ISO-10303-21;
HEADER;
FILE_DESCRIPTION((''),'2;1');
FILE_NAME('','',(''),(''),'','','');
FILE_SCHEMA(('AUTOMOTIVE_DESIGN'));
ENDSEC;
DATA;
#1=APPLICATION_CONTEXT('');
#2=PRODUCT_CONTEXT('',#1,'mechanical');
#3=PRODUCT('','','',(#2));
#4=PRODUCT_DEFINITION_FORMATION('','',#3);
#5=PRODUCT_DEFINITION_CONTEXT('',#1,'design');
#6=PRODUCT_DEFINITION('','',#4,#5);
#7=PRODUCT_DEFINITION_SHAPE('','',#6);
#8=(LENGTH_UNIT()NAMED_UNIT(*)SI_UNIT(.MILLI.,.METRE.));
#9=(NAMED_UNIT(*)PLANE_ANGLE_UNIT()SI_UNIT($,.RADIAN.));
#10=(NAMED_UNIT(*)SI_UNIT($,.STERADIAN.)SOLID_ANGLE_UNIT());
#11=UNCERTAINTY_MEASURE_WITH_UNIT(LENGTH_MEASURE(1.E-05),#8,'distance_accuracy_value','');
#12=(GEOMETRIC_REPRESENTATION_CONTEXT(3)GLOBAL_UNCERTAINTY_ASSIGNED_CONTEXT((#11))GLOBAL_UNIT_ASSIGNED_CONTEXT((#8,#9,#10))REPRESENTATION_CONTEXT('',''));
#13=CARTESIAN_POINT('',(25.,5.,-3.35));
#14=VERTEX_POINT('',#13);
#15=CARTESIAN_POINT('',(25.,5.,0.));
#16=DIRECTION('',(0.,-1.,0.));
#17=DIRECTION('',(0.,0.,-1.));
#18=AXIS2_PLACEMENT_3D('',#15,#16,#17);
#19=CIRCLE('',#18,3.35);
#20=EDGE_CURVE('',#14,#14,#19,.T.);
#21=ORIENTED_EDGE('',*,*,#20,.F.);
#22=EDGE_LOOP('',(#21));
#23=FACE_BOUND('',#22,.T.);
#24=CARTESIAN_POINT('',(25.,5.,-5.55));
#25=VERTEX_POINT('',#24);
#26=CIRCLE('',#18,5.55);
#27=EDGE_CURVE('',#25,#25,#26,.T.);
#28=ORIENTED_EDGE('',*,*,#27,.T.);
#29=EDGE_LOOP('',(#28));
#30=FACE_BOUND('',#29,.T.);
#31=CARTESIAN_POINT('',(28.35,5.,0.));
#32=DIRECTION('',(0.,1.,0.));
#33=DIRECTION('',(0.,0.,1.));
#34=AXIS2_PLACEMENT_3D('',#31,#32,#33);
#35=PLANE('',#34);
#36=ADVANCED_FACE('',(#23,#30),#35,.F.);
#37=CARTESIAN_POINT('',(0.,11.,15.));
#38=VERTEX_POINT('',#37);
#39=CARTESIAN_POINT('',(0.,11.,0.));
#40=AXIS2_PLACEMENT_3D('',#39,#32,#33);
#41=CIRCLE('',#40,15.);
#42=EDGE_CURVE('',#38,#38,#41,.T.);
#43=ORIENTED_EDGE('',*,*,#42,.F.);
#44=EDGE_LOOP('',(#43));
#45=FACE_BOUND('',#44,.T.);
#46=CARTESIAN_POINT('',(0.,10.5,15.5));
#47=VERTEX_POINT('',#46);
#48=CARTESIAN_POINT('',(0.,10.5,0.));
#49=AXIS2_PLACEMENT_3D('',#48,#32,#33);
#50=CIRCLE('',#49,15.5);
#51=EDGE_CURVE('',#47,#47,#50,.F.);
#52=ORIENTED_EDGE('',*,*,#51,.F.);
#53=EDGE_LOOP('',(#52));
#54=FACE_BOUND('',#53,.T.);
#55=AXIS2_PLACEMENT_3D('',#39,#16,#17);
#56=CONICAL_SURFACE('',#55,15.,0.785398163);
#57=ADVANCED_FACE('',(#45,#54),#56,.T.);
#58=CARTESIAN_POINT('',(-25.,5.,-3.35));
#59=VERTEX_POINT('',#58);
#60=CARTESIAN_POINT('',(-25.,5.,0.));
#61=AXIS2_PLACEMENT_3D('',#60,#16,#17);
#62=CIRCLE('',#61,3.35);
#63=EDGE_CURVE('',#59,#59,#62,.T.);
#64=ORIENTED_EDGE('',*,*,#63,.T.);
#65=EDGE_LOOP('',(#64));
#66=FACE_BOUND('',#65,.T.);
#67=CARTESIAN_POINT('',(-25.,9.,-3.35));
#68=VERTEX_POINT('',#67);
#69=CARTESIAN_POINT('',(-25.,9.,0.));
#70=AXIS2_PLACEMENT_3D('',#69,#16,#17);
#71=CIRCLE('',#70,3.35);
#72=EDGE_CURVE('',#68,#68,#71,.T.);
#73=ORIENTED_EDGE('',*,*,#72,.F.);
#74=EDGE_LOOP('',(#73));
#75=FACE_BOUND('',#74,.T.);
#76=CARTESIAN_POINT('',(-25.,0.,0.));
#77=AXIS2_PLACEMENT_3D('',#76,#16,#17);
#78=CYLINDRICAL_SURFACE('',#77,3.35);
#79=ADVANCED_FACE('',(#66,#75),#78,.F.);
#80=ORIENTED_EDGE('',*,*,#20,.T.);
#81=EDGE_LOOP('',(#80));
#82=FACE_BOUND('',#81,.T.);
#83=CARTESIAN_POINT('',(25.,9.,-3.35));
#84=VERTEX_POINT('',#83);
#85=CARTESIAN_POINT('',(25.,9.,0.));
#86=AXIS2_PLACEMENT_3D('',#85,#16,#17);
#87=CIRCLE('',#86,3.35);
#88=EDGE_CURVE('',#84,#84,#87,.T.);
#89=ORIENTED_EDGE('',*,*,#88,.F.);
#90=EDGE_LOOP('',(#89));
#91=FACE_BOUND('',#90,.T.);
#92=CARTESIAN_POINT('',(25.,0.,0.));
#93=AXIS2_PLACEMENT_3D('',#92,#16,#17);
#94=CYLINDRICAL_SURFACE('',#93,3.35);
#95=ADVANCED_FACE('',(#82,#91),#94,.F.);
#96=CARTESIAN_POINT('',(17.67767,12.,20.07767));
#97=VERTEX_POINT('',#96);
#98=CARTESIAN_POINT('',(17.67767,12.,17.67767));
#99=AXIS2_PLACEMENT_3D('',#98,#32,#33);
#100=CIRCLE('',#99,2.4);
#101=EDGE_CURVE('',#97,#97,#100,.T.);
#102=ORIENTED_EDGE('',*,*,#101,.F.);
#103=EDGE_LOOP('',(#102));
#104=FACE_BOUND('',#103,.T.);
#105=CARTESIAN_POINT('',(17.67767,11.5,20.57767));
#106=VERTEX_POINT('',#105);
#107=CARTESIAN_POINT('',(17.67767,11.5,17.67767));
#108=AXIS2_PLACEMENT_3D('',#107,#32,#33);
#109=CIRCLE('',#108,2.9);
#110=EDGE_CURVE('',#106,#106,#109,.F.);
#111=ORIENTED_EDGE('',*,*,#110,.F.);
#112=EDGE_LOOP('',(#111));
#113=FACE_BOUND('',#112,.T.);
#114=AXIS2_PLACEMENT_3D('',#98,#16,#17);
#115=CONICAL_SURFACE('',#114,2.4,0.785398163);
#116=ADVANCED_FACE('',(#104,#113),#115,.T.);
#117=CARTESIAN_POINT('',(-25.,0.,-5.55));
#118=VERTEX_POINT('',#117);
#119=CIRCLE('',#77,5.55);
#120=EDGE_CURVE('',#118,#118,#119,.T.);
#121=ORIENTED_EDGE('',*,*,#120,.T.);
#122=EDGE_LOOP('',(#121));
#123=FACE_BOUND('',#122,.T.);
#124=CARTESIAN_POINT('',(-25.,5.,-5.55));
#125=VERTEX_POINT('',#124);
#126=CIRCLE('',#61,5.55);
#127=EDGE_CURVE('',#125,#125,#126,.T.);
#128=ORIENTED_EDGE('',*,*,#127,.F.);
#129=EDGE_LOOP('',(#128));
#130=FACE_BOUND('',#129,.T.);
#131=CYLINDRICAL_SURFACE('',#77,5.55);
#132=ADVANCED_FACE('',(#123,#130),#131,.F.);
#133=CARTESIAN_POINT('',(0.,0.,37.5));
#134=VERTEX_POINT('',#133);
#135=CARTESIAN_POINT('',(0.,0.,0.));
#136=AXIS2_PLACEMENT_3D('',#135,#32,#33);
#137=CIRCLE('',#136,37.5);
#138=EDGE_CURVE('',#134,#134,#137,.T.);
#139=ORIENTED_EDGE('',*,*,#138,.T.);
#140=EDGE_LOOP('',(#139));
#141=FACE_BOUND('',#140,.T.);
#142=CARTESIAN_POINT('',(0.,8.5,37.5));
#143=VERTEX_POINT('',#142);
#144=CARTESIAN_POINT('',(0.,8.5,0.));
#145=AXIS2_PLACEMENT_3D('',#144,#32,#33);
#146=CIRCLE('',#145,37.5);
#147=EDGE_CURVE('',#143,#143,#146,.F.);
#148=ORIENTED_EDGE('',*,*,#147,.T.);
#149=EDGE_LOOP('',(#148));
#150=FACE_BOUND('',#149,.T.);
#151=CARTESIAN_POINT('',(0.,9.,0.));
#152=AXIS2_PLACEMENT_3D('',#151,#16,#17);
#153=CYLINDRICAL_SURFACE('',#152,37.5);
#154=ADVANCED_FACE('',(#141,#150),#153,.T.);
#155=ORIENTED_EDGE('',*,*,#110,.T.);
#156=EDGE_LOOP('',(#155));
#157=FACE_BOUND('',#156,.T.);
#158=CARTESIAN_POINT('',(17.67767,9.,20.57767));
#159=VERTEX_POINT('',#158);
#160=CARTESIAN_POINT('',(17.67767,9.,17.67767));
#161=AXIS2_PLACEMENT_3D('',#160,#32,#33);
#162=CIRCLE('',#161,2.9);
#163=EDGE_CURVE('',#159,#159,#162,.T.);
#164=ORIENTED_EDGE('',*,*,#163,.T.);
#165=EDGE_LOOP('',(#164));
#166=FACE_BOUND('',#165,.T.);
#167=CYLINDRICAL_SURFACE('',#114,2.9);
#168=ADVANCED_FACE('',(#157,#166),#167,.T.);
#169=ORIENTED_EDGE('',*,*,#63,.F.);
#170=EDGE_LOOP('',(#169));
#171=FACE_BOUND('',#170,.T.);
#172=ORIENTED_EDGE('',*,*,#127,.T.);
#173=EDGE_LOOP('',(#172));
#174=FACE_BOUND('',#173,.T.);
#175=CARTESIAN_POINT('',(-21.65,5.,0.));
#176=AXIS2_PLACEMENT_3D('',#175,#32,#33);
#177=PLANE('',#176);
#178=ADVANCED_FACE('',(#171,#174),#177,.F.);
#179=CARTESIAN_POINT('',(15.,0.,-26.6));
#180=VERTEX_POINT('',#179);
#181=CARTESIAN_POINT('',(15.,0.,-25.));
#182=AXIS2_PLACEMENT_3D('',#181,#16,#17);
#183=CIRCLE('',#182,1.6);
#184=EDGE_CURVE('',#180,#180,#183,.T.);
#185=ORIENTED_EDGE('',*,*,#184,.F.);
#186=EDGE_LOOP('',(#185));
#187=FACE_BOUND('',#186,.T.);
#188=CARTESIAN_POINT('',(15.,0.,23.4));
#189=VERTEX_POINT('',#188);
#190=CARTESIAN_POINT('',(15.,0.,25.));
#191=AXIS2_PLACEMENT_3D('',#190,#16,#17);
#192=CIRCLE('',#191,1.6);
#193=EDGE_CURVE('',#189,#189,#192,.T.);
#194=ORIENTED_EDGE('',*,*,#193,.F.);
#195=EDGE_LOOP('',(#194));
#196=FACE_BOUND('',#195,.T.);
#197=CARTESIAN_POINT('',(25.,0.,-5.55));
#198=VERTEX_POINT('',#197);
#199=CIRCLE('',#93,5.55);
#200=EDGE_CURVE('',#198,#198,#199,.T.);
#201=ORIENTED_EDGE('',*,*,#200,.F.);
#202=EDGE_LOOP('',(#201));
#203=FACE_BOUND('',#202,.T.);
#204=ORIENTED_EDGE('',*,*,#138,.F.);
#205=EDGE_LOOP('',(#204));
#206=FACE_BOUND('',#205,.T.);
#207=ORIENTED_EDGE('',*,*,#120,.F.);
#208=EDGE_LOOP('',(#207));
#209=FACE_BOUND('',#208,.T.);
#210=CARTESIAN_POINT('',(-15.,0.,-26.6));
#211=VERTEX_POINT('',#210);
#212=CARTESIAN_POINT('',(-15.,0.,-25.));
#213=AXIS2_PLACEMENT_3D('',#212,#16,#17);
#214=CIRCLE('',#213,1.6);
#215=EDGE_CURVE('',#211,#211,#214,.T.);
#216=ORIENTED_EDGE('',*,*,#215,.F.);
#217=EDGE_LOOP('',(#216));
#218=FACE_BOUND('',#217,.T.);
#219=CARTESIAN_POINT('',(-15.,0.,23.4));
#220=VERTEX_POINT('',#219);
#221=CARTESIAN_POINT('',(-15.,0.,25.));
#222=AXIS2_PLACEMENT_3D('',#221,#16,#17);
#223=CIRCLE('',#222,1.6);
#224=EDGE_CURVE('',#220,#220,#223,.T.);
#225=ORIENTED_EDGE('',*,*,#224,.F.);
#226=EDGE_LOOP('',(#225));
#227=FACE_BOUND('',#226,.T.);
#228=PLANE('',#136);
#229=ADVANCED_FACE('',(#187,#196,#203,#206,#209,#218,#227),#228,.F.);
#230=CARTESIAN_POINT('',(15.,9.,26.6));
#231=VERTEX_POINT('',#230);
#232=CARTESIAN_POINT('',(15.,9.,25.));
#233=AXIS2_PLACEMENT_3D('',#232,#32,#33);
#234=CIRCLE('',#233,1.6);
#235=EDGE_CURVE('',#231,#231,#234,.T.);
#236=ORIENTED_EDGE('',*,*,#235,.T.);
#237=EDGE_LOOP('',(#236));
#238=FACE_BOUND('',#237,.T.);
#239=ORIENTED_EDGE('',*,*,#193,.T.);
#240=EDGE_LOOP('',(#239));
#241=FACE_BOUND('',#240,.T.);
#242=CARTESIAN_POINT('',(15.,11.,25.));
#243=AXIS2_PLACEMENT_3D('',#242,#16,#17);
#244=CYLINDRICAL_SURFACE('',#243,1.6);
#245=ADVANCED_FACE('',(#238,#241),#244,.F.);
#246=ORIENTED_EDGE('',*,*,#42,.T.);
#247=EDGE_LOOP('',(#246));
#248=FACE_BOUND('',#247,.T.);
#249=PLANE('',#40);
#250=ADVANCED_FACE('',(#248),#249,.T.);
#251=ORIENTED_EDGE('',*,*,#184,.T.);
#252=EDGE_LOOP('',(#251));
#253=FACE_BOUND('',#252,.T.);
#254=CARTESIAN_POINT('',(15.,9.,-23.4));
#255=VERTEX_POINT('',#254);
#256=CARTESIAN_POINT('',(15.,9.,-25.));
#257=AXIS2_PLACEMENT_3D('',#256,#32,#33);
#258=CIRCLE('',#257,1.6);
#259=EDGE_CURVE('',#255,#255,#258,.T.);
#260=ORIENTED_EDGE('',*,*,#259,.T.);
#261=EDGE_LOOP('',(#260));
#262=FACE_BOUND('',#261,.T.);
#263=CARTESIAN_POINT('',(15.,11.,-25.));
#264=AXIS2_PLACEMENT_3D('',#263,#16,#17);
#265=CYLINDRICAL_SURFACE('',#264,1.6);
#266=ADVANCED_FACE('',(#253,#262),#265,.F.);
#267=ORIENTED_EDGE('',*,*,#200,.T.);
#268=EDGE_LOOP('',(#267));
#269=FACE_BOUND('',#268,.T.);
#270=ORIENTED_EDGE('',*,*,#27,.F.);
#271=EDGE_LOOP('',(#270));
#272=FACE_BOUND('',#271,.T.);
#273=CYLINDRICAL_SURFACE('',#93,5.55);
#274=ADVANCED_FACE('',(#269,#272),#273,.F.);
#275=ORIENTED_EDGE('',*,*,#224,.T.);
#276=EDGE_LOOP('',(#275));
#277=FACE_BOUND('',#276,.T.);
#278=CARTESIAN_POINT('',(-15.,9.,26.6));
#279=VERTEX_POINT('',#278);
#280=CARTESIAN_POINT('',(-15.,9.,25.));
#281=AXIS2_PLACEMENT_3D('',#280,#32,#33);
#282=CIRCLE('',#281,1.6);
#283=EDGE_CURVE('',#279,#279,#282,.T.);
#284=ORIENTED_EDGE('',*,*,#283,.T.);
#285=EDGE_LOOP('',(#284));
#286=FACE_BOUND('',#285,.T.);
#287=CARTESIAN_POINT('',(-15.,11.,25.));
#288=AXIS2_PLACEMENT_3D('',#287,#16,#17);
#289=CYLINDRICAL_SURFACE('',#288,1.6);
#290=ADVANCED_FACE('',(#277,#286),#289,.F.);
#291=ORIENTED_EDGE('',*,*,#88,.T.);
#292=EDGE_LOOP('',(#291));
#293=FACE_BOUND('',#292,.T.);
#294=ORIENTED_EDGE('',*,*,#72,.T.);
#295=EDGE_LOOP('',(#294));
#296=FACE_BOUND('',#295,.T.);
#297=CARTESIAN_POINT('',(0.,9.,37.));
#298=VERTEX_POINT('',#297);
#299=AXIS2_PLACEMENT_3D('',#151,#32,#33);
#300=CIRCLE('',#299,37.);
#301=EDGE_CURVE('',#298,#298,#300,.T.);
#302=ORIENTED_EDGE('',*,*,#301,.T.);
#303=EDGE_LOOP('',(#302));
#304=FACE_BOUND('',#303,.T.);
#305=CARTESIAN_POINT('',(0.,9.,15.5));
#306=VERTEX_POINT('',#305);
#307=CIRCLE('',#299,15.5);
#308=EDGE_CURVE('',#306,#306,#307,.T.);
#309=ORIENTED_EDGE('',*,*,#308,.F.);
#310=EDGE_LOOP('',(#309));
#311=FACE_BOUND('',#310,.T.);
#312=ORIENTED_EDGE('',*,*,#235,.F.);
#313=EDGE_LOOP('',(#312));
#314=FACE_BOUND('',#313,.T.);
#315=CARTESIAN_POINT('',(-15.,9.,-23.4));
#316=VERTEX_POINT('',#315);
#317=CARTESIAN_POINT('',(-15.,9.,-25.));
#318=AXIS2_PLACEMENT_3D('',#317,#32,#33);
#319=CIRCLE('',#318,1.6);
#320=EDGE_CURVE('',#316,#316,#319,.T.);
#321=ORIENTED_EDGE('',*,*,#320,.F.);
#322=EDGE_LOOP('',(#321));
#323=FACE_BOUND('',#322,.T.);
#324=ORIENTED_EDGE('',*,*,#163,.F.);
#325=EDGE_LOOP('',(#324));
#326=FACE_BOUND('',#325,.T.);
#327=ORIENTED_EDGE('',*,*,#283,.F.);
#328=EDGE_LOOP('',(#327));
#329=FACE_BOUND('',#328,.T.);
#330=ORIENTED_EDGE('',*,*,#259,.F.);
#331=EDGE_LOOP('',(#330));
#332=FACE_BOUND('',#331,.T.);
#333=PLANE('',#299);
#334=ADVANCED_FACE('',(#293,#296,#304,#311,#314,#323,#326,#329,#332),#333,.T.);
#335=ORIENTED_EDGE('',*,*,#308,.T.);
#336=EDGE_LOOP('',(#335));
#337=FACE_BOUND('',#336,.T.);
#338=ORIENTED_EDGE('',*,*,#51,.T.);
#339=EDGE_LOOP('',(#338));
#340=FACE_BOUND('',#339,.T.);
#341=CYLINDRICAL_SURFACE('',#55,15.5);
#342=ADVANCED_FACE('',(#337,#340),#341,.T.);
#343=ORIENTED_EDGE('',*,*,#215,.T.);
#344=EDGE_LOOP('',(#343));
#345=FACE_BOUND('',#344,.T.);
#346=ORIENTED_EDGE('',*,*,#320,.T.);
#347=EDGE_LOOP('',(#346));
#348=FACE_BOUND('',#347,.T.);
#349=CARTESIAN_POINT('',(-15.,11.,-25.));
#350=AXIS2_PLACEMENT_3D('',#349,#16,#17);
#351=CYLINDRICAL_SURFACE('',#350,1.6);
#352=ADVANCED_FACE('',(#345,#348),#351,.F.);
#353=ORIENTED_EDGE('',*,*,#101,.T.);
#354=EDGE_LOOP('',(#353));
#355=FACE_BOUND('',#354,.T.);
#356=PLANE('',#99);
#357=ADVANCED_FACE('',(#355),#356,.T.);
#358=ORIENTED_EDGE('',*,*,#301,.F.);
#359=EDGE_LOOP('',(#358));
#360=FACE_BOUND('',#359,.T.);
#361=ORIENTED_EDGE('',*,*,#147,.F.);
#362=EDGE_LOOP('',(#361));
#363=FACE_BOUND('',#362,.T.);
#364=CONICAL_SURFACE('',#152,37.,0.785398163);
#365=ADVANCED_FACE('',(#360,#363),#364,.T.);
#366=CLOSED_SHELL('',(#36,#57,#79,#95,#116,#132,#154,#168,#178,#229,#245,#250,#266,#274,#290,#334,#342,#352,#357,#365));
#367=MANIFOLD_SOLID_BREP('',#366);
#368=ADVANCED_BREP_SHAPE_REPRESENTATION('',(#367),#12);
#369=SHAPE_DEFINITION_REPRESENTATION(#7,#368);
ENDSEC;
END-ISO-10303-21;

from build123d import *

# Parameters (mm, degrees)
SKIZZE1_R                       = 37.5
SKIZZE1_R_2                     = 3.25
AUFSATZ_LINEAR_AUSTRAGEN1_DEPTH = 9
BOHRUNG1_D                      = 6.7
BOHRUNG1_CBORE_D                = 11.1
BOHRUNG1_CBORE_DEPTH            = 5
SKIZZE3_R                       = 15.5
AUFSATZ_LINEAR_AUSTRAGEN2_DEPTH = 2
FASE1_SIZE                      = 0.5
SKIZZE7_R                       = 1.6
SCHNITT_LINEAR_AUSTRAGEN2_DEPTH = 55.161794653
FASE2_SIZE                      = 0.5
SKIZZE5_R                       = 2.9
AUFSATZ_LINEAR_AUSTRAGEN3_DEPTH = 3
FASE4_SIZE                      = 0.5


with BuildPart() as part:
    # Skizze1 → Aufsatz-Linear austragen1 (new body)
    with BuildSketch(Plane(origin=(0, 0, 0), x_dir=(1, 0, 0), z_dir=(0, 1, 0))):
        with Locations(Location((0, 0, 0), (0, 0, 270))):
            Circle(SKIZZE1_R)
        with Locations(Location((-25, 0, 0), (0, 0, 270))):
            Circle(SKIZZE1_R_2, mode=Mode.SUBTRACT)
        with Locations(Location((25, 0, 0), (0, 0, 270))):
            Circle(SKIZZE1_R_2, mode=Mode.SUBTRACT)
    extrude(amount=AUFSATZ_LINEAR_AUSTRAGEN1_DEPTH)

    # Bohrung1 (through all)
    with Locations(Plane(origin=(25, 0, 0), x_dir=(0, 0, -1), z_dir=(0, -1, 0))):
        with Locations((0, 0), (0, -50)):
            CounterBoreHole(BOHRUNG1_D / 2, BOHRUNG1_CBORE_D / 2, BOHRUNG1_CBORE_DEPTH)

    # Skizze3 → Aufsatz-Linear austragen2 (add)
    with BuildSketch(Plane(origin=(0, 9, 0), x_dir=(-1, 0, 0), z_dir=(0, 1, 0))):
        with Locations(Location((0, 0, 0), (0, 0, 90))):
            Circle(SKIZZE3_R)
    extrude(amount=AUFSATZ_LINEAR_AUSTRAGEN2_DEPTH)

    # Fase1
    fase1_edges = [part.edges().sort_by_distance(p)[0] for p in [
        (0, 11, -15.5),
    ]]
    chamfer(fase1_edges, length=FASE1_SIZE)

    # Skizze7 → Schnitt-Linear austragen2 (cut, through all)
    with BuildSketch(Plane(origin=(0, 0, 0), x_dir=(-1, 0, 0), z_dir=(0, -1, 0))):
        with Locations(Location((-15, 25, 0), (0, 0, 90))):
            Circle(SKIZZE7_R)
        with Locations(Location((15, 25, 0), (0, 0, 90))):
            Circle(SKIZZE7_R)
        with Locations(Location((15, -25, 0), (0, 0, 90))):
            Circle(SKIZZE7_R)
        with Locations(Location((-15, -25, 0), (0, 0, 90))):
            Circle(SKIZZE7_R)
    extrude(amount=-SCHNITT_LINEAR_AUSTRAGEN2_DEPTH, mode=Mode.SUBTRACT)

    # Fase2
    fase2_edges = [part.edges().sort_by_distance(p)[0] for p in [
        (0, 9, -37.5),
    ]]
    chamfer(fase2_edges, length=FASE2_SIZE)

    # Skizze5 → Aufsatz-Linear austragen3 (add)
    with BuildSketch(Plane(origin=(0, 9, 0), x_dir=(-1, 0, 0), z_dir=(0, 1, 0))):
        with Locations(Location((-17.67766953, 17.67766953, 0), (0, 0, 90))):
            Circle(SKIZZE5_R)
    extrude(amount=AUFSATZ_LINEAR_AUSTRAGEN3_DEPTH)

    # Fase4
    fase4_edges = [part.edges().sort_by_distance(p)[0] for p in [
        (17.67766953, 12, 14.77766953),
    ]]
    chamfer(fase4_edges, length=FASE4_SIZE)


solid = part.part
